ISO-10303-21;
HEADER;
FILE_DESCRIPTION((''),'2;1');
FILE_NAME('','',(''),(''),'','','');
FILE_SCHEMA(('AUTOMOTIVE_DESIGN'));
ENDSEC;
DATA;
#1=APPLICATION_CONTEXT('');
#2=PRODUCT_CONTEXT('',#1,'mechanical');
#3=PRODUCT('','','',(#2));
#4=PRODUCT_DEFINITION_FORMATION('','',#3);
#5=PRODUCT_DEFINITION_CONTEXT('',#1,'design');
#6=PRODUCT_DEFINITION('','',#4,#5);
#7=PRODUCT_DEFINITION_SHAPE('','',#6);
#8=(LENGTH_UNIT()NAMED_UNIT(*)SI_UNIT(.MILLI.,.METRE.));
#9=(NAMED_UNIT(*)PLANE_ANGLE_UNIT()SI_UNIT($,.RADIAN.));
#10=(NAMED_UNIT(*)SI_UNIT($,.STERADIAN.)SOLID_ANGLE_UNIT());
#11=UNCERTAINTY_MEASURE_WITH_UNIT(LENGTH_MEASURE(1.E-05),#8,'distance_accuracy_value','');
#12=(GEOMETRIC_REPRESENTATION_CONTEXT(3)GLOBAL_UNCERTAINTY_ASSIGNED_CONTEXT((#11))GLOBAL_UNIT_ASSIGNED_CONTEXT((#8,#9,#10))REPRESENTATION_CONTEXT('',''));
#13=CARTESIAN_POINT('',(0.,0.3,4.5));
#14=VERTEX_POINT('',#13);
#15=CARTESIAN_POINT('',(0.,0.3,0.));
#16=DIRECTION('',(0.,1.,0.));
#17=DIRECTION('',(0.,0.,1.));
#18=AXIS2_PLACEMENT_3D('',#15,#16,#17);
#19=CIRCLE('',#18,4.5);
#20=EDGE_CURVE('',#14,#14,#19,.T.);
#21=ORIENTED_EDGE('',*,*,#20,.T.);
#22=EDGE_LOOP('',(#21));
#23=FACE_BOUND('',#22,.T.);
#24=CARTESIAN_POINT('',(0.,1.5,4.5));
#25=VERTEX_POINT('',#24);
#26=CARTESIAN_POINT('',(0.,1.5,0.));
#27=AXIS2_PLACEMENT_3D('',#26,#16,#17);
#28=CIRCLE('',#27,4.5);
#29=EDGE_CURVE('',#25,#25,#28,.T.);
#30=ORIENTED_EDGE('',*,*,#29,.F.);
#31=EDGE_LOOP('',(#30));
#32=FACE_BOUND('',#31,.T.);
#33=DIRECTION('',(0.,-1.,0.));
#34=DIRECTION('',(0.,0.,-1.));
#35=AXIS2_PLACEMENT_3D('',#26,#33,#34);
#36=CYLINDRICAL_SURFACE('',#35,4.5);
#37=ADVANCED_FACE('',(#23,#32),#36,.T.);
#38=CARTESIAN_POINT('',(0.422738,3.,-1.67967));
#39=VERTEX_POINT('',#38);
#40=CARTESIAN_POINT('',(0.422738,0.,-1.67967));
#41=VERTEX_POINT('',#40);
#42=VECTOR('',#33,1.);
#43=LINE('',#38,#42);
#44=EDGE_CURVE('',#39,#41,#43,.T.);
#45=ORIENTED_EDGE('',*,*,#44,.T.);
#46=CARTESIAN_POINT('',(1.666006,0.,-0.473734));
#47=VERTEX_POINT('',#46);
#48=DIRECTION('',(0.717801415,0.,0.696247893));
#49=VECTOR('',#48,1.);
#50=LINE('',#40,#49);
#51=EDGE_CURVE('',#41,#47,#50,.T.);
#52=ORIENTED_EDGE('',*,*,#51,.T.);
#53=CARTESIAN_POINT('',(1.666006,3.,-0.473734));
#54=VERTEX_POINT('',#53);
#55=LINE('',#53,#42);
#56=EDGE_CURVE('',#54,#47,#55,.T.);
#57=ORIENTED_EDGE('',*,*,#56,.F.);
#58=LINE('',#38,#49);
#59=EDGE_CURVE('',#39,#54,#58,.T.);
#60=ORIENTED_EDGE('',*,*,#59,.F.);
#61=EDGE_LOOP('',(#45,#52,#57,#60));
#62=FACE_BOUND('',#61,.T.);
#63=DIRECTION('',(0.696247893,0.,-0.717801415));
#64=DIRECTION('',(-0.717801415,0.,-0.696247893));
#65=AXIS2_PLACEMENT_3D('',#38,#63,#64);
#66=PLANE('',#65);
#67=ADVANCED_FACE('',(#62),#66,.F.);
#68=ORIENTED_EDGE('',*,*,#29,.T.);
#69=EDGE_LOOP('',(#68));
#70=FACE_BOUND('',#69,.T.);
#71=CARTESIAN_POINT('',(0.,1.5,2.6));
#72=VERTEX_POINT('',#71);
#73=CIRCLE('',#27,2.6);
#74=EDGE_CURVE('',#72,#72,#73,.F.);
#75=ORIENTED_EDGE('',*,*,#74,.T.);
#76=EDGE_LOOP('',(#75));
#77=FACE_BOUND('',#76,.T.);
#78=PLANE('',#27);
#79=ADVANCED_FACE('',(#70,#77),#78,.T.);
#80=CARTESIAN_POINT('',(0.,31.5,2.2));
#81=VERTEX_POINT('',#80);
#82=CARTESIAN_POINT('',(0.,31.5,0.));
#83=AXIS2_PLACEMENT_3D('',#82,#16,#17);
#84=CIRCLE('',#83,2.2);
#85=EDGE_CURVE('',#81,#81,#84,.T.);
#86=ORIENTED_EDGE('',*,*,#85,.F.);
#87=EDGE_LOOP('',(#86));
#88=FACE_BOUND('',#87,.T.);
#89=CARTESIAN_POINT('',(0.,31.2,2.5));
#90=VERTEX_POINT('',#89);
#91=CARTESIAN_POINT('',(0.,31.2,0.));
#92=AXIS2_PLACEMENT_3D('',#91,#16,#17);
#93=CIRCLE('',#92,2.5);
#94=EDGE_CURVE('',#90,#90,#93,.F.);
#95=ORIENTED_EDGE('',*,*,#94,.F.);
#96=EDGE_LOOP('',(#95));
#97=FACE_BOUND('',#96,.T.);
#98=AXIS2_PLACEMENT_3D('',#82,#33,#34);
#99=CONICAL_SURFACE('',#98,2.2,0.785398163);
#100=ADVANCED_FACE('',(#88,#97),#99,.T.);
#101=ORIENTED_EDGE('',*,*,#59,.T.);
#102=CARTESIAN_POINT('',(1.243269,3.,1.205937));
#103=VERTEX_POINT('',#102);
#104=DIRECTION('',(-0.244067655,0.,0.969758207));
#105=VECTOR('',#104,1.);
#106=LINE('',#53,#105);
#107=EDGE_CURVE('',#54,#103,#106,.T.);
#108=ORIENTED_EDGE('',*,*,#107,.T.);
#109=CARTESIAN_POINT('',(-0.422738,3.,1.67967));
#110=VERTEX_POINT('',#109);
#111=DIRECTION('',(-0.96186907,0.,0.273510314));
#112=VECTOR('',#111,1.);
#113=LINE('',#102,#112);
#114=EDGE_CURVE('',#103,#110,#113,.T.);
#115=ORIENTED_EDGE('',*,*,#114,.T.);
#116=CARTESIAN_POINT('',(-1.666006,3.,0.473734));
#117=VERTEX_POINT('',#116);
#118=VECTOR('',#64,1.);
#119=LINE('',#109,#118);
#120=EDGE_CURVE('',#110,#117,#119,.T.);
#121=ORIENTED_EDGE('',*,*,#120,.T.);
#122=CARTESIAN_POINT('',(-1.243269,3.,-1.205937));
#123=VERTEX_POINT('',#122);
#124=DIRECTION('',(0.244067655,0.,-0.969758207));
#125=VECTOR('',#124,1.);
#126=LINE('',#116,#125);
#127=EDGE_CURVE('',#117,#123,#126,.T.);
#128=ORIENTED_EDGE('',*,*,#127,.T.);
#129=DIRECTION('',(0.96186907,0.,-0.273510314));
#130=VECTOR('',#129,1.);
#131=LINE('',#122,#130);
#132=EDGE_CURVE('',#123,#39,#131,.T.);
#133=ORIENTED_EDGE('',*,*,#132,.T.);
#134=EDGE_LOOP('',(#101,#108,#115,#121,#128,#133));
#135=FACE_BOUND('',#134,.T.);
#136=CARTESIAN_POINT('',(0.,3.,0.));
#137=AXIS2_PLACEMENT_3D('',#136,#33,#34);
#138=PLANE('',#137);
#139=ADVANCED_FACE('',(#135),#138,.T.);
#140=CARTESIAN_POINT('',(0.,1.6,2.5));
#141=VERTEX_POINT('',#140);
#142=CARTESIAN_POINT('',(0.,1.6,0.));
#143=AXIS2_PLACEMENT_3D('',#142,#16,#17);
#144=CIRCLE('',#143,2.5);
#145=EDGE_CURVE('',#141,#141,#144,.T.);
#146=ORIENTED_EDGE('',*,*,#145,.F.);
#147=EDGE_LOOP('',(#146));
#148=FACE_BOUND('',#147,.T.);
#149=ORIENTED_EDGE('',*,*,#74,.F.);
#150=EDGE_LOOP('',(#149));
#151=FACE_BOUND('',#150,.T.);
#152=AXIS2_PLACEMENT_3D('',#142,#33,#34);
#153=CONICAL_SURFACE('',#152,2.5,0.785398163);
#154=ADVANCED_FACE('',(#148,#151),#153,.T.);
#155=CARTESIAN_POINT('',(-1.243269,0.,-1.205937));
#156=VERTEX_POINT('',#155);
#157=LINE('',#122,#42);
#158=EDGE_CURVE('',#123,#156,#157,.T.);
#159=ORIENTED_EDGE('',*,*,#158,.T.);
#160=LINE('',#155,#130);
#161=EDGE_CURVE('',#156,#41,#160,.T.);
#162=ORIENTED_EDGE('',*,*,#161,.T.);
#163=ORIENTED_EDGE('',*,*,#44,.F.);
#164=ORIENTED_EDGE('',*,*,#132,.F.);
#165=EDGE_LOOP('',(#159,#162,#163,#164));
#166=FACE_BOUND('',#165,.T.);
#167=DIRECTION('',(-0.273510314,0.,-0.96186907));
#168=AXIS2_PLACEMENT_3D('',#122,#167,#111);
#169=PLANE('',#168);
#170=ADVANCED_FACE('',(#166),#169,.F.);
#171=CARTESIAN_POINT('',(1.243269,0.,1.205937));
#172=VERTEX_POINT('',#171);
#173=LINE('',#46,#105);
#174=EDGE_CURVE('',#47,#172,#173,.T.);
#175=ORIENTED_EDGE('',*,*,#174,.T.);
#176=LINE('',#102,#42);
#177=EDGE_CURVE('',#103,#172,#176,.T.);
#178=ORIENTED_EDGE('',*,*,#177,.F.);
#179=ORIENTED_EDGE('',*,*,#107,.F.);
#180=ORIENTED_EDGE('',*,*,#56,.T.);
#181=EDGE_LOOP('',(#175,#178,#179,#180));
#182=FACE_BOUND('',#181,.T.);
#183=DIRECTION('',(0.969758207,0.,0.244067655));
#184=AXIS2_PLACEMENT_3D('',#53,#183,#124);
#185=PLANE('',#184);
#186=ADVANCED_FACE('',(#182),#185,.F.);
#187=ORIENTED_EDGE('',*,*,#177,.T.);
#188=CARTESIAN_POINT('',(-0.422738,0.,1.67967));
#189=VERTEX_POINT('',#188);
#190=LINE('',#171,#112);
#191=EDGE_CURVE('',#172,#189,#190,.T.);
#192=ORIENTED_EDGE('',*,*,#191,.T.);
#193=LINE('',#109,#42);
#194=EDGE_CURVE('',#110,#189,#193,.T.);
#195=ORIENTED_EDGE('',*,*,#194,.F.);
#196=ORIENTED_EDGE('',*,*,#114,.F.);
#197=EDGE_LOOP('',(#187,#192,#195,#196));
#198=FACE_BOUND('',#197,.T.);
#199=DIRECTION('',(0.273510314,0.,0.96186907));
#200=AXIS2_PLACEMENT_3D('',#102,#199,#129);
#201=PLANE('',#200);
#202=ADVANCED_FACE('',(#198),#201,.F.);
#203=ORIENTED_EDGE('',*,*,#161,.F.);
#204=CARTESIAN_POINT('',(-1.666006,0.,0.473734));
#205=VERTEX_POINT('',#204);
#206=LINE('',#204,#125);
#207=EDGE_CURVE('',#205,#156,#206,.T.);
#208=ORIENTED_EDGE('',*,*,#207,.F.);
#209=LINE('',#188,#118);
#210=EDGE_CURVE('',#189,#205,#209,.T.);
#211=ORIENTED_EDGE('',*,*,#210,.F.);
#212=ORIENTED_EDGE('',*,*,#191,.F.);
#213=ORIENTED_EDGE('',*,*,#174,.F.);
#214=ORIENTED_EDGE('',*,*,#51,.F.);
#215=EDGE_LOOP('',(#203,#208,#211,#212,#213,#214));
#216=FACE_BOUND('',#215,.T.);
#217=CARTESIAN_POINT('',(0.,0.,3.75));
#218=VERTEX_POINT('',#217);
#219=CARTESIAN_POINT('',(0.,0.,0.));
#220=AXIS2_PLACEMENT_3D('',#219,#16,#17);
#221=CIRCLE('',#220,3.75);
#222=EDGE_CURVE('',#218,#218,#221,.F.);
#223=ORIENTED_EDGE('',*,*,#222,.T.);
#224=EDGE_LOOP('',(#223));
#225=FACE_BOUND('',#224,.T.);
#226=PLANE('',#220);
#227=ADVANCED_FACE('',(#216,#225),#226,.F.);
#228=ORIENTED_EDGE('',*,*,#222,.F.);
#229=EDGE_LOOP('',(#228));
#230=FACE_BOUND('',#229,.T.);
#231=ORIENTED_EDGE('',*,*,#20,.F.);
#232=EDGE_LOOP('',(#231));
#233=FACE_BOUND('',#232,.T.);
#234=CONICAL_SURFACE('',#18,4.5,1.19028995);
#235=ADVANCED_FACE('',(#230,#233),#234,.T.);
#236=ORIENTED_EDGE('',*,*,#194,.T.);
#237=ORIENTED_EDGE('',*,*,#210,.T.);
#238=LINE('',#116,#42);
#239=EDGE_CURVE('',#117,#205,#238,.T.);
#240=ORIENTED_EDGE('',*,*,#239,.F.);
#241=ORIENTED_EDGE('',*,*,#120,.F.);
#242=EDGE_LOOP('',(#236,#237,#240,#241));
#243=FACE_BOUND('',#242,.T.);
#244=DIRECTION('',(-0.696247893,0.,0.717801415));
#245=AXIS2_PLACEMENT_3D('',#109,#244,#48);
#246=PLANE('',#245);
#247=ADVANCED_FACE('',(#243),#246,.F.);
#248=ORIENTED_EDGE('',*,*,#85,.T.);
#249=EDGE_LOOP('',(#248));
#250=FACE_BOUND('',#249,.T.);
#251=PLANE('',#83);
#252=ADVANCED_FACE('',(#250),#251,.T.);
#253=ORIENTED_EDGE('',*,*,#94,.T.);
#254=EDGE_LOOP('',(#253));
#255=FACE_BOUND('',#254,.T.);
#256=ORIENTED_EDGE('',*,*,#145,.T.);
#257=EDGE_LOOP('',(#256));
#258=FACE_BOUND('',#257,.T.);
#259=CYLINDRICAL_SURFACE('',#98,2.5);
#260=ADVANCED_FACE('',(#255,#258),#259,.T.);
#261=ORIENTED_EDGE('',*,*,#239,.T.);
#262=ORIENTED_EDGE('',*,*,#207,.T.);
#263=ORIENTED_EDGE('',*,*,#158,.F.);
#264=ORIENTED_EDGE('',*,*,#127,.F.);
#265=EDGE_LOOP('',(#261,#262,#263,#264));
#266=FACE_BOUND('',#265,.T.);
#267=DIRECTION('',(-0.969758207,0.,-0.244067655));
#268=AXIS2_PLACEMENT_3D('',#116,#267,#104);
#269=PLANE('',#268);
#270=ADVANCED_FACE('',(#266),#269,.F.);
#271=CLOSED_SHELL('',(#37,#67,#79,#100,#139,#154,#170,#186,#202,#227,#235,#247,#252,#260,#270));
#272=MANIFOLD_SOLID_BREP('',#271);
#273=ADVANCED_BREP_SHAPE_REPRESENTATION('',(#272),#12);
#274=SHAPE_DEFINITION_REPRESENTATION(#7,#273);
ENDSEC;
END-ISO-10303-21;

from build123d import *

# Parameters (mm, degrees)
SKETCH2_R           = 4.5
BOSS_EXTRUDE1_DEPTH = 1.5
SKETCH3_R           = 2.5
BOSS_EXTRUDE2_DEPTH = 30
CHAMFER1_SIZE       = 0.1
CHAMFER2_SIZE       = 0.75
CHAMFER2_SIZE2      = 0.3
CUT_EXTRUDE1_DEPTH  = 3
CHAMFER3_SIZE       = 0.3


with BuildPart() as part:
    # Sketch2 → Boss-Extrude1 (new body)
    with BuildSketch(Plane(origin=(0, 0, 0), x_dir=(1, 0, 0), z_dir=(0, 1, 0))):
        Circle(SKETCH2_R)
    extrude(amount=BOSS_EXTRUDE1_DEPTH)

    # Sketch3 → Boss-Extrude2 (add)
    with BuildSketch(Plane(origin=(0, 1.5, 0), x_dir=(1, 0, 0), z_dir=(0, 1, 0))):
        Circle(SKETCH3_R)
    extrude(amount=BOSS_EXTRUDE2_DEPTH)

    # Chamfer1
    chamfer1_edges = [part.edges().sort_by_distance(p)[0] for p in [
        (-2.5, 1.5, 0),
    ]]
    chamfer(chamfer1_edges, length=CHAMFER1_SIZE)

    # Chamfer2
    chamfer2_edges = [part.edges().sort_by_distance(p)[0] for p in [
        (-4.5, 0, 0),
    ]]
    chamfer2_side = [part.faces().sort_by_distance(p)[0] for p in [
        (0, 0, 0),
    ]]
    chamfer(chamfer2_edges, length=CHAMFER2_SIZE, length2=CHAMFER2_SIZE2, reference=chamfer2_side[0])

    # Sketch4 → Cut-Extrude1 (cut)
    with BuildSketch(Plane.XZ):
        Polygon((-0.422737578, 1.679670486), (-1.6660061, 0.473733761), (-1.243268521, -1.205936725), (0.422737578, -1.679670486), (1.6660061, -0.473733761), (1.243268521, 1.205936725), align=None)
    extrude(amount=-CUT_EXTRUDE1_DEPTH, mode=Mode.SUBTRACT)

    # Chamfer3
    chamfer3_edges = [part.edges().sort_by_distance(p)[0] for p in [
        (-2.5, 31.5, 0),
    ]]
    chamfer(chamfer3_edges, length=CHAMFER3_SIZE)


solid = part.part
